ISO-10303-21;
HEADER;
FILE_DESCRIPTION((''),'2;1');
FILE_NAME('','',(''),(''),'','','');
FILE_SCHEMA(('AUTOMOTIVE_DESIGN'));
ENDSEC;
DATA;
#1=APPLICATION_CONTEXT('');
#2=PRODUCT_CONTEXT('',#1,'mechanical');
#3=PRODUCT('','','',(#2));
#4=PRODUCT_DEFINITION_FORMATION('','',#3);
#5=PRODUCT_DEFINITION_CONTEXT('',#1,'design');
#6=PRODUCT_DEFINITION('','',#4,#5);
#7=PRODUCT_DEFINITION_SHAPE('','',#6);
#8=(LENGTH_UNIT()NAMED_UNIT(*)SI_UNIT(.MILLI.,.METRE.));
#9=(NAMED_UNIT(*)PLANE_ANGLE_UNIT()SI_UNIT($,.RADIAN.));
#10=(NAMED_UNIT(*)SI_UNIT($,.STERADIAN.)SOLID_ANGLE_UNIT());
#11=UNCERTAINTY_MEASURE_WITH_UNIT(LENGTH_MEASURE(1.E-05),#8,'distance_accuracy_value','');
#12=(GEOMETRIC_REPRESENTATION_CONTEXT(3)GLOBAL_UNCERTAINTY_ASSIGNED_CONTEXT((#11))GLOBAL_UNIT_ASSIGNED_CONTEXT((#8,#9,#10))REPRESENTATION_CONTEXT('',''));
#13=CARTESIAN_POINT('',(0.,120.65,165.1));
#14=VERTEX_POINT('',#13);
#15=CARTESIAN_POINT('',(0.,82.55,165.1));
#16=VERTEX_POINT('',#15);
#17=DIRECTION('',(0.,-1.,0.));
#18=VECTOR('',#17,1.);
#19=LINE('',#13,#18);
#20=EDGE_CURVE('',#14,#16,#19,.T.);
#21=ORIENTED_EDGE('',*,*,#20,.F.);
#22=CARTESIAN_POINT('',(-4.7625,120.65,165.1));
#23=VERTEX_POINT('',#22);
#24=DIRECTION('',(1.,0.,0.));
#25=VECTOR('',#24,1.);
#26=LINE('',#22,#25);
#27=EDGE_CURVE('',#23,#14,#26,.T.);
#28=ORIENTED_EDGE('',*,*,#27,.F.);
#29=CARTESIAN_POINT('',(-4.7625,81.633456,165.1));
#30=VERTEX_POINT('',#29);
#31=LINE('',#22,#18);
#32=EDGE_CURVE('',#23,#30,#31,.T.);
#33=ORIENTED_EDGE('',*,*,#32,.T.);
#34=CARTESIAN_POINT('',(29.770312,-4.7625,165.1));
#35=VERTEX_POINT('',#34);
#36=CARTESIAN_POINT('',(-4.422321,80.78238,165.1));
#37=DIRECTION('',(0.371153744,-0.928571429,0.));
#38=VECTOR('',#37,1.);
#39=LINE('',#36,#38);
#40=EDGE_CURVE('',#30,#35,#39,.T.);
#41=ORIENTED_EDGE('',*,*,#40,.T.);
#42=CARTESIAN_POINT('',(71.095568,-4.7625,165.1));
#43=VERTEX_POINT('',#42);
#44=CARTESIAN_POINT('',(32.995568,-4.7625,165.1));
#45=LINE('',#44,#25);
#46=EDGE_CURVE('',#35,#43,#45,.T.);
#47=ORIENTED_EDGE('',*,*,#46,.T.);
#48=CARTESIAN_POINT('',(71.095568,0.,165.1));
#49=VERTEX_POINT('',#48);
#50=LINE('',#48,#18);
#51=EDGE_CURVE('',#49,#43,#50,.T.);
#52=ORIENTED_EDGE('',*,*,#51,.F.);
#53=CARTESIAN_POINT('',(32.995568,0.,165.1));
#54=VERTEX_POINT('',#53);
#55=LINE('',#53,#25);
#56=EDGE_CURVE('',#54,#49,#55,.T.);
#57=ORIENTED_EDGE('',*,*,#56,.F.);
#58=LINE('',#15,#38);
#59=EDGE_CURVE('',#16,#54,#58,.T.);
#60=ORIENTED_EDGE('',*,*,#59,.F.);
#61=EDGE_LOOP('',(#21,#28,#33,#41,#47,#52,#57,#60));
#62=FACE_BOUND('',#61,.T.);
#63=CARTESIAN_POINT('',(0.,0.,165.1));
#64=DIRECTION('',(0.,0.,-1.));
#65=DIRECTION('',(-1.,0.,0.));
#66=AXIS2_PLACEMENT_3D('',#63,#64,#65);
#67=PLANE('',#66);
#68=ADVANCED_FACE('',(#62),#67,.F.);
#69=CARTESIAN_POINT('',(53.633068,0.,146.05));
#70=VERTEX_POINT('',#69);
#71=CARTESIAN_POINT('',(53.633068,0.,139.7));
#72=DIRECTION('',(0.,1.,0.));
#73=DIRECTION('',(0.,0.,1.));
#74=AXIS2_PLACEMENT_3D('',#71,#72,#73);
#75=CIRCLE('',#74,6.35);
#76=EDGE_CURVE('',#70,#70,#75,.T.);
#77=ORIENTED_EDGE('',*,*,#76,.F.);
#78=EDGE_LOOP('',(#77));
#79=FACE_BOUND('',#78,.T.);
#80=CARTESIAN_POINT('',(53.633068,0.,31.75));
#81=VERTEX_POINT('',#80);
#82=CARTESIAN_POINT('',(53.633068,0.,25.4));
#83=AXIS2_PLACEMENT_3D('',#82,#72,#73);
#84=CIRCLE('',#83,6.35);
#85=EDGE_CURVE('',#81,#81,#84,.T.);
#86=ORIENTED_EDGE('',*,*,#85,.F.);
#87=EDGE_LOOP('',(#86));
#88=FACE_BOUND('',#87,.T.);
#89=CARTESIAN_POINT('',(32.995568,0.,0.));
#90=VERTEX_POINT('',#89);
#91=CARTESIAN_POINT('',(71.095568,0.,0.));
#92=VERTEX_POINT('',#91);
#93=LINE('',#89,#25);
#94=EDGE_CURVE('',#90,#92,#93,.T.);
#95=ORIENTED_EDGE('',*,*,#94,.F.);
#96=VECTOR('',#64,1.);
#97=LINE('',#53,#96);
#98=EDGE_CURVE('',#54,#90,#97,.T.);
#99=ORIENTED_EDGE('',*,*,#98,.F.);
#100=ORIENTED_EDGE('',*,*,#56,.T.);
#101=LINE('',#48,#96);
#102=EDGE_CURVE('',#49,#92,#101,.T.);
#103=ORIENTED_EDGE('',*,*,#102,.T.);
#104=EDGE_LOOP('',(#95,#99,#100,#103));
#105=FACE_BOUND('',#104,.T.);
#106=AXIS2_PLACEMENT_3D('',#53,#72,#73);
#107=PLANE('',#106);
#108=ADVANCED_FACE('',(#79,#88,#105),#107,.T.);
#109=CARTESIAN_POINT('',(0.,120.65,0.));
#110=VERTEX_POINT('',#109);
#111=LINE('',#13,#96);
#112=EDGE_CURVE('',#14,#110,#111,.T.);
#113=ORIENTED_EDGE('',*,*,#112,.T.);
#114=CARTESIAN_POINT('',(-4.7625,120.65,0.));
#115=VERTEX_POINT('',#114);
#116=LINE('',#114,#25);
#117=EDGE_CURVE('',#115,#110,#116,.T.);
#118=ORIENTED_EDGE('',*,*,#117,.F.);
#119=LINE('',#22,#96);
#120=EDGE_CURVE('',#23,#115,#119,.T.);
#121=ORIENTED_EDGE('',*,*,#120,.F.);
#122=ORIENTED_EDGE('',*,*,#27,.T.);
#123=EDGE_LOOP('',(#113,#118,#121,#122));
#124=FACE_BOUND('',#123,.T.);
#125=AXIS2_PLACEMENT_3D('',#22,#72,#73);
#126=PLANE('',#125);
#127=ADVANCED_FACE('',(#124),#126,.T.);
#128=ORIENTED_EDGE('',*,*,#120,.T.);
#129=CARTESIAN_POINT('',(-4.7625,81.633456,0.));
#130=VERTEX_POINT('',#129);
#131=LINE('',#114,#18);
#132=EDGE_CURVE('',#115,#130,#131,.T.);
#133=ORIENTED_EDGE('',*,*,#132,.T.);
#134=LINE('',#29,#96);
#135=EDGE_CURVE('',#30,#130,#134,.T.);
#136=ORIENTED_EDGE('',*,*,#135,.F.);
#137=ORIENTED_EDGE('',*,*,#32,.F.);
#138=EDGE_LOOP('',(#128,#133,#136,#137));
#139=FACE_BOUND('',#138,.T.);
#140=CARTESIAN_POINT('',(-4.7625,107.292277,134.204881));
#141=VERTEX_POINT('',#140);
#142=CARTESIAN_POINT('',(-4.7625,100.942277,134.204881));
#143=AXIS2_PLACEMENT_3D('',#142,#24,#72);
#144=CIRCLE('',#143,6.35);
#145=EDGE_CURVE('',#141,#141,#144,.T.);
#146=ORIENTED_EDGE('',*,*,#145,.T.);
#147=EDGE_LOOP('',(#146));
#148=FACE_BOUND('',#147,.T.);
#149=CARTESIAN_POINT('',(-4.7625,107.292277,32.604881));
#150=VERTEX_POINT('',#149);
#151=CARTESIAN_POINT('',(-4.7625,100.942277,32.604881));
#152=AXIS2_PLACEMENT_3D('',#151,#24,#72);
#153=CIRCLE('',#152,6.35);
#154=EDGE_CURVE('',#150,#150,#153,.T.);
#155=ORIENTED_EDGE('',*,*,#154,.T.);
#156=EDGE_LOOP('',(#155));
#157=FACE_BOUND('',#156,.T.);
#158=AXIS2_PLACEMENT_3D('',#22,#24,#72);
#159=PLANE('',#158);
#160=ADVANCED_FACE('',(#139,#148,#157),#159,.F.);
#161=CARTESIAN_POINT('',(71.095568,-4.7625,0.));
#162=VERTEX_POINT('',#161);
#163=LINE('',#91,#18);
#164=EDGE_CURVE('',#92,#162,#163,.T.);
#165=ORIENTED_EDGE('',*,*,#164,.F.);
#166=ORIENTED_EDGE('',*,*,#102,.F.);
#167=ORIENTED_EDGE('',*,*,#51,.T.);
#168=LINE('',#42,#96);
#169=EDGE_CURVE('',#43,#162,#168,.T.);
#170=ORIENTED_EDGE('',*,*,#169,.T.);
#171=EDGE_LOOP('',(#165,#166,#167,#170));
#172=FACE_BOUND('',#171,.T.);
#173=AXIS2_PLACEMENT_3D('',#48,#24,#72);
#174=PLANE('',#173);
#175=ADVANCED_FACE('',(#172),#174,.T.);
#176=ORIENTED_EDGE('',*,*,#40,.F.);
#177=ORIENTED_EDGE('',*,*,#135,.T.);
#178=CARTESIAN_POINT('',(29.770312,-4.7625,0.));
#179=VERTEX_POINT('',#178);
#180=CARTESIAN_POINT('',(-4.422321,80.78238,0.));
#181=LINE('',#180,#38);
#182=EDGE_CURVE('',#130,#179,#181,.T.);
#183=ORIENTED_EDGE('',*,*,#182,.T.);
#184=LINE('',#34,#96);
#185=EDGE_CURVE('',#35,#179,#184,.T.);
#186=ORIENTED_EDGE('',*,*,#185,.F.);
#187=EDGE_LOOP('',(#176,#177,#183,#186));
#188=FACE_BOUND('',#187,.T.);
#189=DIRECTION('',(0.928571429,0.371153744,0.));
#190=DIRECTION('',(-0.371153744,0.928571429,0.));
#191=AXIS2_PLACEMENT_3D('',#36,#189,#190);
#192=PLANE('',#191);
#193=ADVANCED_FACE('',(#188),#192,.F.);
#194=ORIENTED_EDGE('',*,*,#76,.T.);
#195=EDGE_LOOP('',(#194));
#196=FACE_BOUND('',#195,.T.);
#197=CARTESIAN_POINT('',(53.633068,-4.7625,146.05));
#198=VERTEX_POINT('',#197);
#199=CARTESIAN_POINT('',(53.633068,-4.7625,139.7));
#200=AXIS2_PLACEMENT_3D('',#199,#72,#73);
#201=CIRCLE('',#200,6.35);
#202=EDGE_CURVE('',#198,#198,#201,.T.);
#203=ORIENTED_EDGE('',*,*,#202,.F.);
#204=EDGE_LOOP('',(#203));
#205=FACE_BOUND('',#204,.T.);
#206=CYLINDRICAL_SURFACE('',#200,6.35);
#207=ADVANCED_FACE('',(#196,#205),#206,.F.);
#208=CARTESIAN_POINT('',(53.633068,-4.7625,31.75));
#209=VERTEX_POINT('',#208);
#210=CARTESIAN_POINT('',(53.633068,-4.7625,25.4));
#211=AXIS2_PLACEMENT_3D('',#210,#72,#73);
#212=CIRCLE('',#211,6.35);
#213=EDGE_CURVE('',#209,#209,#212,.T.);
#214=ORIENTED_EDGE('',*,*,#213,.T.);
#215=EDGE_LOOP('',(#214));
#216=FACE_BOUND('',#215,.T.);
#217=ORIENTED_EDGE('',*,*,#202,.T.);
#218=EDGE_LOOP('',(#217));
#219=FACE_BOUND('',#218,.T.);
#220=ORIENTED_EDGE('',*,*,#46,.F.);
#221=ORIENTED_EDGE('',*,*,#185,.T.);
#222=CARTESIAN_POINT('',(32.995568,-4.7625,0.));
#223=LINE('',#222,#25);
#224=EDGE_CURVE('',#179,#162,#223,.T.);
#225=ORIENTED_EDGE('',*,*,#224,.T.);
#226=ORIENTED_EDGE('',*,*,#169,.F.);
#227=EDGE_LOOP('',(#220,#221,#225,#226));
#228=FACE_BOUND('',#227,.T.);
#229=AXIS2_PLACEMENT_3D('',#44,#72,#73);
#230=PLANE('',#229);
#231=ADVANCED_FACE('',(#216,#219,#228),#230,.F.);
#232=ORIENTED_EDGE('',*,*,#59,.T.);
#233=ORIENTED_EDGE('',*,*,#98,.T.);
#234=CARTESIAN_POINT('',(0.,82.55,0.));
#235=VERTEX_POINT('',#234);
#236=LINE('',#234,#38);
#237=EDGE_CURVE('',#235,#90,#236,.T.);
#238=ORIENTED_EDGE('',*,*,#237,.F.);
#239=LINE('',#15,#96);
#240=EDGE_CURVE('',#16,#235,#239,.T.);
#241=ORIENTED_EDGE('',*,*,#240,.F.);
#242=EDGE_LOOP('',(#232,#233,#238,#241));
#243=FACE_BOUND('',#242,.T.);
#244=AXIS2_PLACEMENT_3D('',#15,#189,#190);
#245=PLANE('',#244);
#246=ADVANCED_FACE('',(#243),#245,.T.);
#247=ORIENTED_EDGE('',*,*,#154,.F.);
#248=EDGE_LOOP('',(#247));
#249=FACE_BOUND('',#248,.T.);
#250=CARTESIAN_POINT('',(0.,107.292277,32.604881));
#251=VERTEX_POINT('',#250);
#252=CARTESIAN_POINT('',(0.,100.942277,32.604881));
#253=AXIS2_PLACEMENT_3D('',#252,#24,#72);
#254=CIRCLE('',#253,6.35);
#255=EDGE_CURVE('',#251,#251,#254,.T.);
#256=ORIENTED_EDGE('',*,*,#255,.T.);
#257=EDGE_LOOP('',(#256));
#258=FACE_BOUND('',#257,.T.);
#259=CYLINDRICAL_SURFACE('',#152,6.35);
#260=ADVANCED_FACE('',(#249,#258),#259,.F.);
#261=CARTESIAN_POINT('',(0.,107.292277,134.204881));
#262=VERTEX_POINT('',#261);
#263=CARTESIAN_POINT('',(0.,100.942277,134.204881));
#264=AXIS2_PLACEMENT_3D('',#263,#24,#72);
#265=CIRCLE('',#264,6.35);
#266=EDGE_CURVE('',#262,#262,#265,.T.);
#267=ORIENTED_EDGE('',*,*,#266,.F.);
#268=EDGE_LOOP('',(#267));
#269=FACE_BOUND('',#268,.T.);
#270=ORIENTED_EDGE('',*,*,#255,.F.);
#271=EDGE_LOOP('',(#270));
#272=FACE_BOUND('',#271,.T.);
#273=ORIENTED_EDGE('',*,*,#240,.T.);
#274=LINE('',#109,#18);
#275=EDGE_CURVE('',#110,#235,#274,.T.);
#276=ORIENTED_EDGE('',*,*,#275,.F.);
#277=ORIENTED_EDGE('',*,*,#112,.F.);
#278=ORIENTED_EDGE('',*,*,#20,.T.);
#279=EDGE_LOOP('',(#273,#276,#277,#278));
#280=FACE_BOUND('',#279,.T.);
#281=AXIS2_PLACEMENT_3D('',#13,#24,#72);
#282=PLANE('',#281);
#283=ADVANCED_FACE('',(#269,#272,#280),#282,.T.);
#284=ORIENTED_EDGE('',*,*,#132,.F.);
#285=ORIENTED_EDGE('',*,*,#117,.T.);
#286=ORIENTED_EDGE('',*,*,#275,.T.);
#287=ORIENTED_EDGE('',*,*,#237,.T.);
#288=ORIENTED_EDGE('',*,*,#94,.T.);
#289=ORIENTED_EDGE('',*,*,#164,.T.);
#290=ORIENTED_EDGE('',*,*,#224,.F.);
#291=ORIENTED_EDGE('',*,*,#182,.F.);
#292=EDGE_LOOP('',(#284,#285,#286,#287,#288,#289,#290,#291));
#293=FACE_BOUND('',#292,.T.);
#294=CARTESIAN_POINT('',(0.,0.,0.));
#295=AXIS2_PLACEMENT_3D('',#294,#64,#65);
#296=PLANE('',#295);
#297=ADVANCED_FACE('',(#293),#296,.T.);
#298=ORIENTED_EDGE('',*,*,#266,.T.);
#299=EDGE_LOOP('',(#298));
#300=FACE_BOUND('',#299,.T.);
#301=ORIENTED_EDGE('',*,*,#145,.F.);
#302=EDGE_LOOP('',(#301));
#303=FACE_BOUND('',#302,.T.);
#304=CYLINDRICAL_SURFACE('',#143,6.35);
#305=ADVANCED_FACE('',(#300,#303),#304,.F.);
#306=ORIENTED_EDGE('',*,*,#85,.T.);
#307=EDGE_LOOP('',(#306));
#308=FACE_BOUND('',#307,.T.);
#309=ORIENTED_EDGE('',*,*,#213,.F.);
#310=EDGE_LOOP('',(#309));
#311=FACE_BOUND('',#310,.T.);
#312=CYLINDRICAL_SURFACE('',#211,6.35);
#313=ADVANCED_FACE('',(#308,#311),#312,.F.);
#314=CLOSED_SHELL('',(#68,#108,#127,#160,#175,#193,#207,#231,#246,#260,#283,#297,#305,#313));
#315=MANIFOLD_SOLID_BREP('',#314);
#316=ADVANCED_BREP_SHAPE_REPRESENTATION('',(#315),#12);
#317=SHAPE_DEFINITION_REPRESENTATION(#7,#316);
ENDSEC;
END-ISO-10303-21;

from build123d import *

# Parameters (mm, degrees)
EXTRUDE_THIN1_DEPTH = 165.1
SKETCH2_R           = 6.35
CUT_EXTRUDE1_DEPTH  = 5.7625
SKETCH3_R           = 6.35
CUT_EXTRUDE2_DEPTH  = 5.7625


with BuildPart() as part:
    # Sketch1 → Extrude-Thin1 (new body)
    with BuildSketch(Plane.XY):
        Polygon((0, 120.65), (0, 82.55), (32.995567884, 0), (71.095567884, 0), (71.095567884, -4.7625), (29.770312185, -4.7625), (-4.7625, 81.633456448), (-4.7625, 120.65), align=None)
    extrude(amount=EXTRUDE_THIN1_DEPTH)

    # Sketch2 → Cut-Extrude1 (cut, through all)
    with BuildSketch(Plane(origin=(0, 0, 0), x_dir=(0, 0, -1), z_dir=(1, 0, 0))):
        with Locations((-134.204880657, 100.94227704)):
            Circle(SKETCH2_R)
        with Locations((-32.604880657, 100.94227704)):
            Circle(SKETCH2_R)
    extrude(amount=-CUT_EXTRUDE1_DEPTH, mode=Mode.SUBTRACT)

    # Sketch3 → Cut-Extrude2 (cut, through all)
    with BuildSketch(Plane(origin=(0, 0, 0), x_dir=(1, 0, 0), z_dir=(0, 1, 0))):
        with Locations((53.633067884, -25.4)):
            Circle(SKETCH3_R)
        with Locations((53.633067884, -139.7)):
            Circle(SKETCH3_R)
    extrude(amount=-CUT_EXTRUDE2_DEPTH, mode=Mode.SUBTRACT)


solid = part.part
